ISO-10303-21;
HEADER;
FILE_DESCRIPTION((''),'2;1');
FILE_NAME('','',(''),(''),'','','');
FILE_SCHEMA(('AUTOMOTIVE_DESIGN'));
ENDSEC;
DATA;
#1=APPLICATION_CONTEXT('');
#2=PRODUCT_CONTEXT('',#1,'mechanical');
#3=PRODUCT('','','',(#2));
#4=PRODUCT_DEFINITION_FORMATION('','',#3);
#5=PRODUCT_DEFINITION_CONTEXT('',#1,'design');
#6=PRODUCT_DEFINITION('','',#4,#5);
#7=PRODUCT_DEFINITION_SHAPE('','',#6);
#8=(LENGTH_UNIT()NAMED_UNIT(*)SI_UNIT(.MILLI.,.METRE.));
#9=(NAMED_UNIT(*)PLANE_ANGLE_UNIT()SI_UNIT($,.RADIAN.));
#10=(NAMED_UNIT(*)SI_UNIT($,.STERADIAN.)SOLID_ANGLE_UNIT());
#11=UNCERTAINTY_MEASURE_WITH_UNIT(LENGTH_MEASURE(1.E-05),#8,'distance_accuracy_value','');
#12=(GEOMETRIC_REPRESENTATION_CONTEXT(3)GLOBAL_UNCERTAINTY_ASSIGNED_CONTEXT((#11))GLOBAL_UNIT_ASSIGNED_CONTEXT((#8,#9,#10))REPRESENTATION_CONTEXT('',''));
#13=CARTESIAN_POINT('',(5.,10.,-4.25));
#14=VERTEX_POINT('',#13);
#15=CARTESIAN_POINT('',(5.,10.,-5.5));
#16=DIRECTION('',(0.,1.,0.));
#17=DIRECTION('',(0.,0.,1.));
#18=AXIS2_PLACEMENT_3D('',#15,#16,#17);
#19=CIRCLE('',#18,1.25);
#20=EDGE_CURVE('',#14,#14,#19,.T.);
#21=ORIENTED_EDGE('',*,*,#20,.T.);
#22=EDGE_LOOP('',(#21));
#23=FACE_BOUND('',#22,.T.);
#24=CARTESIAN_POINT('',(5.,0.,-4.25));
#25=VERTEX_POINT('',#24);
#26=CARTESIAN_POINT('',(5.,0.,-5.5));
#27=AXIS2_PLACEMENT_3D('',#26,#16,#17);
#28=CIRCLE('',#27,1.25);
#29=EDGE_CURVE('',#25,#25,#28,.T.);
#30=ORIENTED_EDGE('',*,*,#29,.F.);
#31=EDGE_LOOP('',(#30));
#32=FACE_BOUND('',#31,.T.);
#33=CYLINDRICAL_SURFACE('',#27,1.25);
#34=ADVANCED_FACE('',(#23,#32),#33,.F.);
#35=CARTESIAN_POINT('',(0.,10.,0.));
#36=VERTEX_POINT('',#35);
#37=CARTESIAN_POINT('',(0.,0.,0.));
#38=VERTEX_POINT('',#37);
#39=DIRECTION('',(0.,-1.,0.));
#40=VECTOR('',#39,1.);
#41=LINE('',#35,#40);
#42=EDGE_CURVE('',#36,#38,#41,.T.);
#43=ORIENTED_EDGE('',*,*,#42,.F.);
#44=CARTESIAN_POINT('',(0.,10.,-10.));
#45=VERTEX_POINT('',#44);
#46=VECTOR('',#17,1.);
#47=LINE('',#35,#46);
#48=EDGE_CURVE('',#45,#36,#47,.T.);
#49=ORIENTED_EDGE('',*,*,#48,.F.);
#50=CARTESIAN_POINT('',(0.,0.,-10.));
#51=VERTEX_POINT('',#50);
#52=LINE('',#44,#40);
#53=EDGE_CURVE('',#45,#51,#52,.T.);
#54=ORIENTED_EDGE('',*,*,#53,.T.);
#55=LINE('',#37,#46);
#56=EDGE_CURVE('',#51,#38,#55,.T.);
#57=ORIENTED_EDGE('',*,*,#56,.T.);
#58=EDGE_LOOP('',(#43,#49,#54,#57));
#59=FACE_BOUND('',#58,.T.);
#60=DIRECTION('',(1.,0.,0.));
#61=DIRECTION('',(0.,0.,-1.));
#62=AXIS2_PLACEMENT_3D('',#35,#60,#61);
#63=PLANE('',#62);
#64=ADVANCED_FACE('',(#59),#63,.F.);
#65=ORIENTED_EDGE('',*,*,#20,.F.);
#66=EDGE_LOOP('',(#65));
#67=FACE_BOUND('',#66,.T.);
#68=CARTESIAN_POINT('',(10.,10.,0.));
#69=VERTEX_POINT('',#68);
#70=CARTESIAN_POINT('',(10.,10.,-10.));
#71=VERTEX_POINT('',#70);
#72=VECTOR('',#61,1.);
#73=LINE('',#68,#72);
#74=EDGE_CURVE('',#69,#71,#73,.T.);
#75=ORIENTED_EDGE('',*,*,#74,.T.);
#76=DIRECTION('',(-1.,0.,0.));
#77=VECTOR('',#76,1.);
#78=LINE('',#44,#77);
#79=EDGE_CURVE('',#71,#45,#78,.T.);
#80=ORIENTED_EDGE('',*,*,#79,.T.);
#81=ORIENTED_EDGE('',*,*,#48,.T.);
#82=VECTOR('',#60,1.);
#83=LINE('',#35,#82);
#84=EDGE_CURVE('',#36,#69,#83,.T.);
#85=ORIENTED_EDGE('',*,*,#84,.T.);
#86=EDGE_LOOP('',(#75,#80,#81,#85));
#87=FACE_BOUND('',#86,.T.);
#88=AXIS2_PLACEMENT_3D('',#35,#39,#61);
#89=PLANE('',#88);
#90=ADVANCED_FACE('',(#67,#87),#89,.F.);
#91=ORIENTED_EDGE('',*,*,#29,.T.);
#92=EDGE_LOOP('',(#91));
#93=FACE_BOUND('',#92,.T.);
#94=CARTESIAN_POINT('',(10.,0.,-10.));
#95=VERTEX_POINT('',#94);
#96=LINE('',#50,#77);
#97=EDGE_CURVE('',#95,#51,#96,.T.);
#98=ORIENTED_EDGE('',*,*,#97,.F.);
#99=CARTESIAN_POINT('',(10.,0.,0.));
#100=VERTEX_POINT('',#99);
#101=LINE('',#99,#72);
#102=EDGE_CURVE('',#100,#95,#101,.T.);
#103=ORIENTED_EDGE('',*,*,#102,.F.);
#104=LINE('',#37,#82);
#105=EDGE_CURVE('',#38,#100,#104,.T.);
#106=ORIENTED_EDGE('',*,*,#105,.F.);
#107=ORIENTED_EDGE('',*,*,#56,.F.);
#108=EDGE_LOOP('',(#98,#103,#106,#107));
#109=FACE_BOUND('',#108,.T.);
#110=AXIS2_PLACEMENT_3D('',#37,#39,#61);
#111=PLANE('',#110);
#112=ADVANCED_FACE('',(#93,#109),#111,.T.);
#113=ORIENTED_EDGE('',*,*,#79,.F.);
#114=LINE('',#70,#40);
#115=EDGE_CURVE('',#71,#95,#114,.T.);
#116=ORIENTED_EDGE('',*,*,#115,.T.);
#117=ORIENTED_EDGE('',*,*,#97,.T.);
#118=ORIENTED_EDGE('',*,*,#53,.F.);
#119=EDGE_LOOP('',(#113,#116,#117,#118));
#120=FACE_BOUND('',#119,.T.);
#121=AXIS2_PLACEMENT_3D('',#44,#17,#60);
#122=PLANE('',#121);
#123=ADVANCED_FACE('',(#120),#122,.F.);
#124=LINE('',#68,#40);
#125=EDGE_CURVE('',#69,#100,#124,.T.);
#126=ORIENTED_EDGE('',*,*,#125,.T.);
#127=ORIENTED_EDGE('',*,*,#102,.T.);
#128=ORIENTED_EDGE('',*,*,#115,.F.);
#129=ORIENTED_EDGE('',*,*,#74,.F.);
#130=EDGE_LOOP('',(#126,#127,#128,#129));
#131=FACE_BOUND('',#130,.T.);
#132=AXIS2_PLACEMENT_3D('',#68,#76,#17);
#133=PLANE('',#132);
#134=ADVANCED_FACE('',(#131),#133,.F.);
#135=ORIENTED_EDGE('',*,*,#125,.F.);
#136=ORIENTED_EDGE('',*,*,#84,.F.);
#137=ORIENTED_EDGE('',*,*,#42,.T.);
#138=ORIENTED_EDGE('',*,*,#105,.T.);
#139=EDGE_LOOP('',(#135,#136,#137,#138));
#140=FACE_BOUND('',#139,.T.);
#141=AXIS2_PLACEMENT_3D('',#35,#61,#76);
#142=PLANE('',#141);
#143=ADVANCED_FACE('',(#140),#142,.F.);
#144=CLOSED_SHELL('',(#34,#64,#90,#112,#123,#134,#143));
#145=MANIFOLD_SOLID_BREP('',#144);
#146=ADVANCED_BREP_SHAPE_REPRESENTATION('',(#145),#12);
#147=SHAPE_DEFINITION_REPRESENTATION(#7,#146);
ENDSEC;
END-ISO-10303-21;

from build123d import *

# Parameters (mm, degrees)
SKETCH_1_W          = 10
SKETCH_1_H          = 10
EXTRUDE_1_DEPTH     = 10
SKETCH_3_R          = 1.25
CUT_EXTRUDE_1_DEPTH = 10


with BuildPart() as part:
    # 草图1 → 凸台-拉伸1 (new body)
    with BuildSketch(Plane(origin=(0, 0, 0), x_dir=(1, 0, 0), z_dir=(0, 1, 0))):
        with Locations((5, 5)):
            Rectangle(SKETCH_1_W, SKETCH_1_H)
    extrude(amount=EXTRUDE_1_DEPTH)

    # 草图3 → 切除-拉伸1 (cut)
    with BuildSketch(Plane(origin=(0, 10, 0), x_dir=(1, 0, 0), z_dir=(0, 1, 0))):
        with Locations(Location((5, 5.5, 0), (0, 0, 270))):
            Circle(SKETCH_3_R)
    extrude(amount=-CUT_EXTRUDE_1_DEPTH, mode=Mode.SUBTRACT)


solid = part.part
